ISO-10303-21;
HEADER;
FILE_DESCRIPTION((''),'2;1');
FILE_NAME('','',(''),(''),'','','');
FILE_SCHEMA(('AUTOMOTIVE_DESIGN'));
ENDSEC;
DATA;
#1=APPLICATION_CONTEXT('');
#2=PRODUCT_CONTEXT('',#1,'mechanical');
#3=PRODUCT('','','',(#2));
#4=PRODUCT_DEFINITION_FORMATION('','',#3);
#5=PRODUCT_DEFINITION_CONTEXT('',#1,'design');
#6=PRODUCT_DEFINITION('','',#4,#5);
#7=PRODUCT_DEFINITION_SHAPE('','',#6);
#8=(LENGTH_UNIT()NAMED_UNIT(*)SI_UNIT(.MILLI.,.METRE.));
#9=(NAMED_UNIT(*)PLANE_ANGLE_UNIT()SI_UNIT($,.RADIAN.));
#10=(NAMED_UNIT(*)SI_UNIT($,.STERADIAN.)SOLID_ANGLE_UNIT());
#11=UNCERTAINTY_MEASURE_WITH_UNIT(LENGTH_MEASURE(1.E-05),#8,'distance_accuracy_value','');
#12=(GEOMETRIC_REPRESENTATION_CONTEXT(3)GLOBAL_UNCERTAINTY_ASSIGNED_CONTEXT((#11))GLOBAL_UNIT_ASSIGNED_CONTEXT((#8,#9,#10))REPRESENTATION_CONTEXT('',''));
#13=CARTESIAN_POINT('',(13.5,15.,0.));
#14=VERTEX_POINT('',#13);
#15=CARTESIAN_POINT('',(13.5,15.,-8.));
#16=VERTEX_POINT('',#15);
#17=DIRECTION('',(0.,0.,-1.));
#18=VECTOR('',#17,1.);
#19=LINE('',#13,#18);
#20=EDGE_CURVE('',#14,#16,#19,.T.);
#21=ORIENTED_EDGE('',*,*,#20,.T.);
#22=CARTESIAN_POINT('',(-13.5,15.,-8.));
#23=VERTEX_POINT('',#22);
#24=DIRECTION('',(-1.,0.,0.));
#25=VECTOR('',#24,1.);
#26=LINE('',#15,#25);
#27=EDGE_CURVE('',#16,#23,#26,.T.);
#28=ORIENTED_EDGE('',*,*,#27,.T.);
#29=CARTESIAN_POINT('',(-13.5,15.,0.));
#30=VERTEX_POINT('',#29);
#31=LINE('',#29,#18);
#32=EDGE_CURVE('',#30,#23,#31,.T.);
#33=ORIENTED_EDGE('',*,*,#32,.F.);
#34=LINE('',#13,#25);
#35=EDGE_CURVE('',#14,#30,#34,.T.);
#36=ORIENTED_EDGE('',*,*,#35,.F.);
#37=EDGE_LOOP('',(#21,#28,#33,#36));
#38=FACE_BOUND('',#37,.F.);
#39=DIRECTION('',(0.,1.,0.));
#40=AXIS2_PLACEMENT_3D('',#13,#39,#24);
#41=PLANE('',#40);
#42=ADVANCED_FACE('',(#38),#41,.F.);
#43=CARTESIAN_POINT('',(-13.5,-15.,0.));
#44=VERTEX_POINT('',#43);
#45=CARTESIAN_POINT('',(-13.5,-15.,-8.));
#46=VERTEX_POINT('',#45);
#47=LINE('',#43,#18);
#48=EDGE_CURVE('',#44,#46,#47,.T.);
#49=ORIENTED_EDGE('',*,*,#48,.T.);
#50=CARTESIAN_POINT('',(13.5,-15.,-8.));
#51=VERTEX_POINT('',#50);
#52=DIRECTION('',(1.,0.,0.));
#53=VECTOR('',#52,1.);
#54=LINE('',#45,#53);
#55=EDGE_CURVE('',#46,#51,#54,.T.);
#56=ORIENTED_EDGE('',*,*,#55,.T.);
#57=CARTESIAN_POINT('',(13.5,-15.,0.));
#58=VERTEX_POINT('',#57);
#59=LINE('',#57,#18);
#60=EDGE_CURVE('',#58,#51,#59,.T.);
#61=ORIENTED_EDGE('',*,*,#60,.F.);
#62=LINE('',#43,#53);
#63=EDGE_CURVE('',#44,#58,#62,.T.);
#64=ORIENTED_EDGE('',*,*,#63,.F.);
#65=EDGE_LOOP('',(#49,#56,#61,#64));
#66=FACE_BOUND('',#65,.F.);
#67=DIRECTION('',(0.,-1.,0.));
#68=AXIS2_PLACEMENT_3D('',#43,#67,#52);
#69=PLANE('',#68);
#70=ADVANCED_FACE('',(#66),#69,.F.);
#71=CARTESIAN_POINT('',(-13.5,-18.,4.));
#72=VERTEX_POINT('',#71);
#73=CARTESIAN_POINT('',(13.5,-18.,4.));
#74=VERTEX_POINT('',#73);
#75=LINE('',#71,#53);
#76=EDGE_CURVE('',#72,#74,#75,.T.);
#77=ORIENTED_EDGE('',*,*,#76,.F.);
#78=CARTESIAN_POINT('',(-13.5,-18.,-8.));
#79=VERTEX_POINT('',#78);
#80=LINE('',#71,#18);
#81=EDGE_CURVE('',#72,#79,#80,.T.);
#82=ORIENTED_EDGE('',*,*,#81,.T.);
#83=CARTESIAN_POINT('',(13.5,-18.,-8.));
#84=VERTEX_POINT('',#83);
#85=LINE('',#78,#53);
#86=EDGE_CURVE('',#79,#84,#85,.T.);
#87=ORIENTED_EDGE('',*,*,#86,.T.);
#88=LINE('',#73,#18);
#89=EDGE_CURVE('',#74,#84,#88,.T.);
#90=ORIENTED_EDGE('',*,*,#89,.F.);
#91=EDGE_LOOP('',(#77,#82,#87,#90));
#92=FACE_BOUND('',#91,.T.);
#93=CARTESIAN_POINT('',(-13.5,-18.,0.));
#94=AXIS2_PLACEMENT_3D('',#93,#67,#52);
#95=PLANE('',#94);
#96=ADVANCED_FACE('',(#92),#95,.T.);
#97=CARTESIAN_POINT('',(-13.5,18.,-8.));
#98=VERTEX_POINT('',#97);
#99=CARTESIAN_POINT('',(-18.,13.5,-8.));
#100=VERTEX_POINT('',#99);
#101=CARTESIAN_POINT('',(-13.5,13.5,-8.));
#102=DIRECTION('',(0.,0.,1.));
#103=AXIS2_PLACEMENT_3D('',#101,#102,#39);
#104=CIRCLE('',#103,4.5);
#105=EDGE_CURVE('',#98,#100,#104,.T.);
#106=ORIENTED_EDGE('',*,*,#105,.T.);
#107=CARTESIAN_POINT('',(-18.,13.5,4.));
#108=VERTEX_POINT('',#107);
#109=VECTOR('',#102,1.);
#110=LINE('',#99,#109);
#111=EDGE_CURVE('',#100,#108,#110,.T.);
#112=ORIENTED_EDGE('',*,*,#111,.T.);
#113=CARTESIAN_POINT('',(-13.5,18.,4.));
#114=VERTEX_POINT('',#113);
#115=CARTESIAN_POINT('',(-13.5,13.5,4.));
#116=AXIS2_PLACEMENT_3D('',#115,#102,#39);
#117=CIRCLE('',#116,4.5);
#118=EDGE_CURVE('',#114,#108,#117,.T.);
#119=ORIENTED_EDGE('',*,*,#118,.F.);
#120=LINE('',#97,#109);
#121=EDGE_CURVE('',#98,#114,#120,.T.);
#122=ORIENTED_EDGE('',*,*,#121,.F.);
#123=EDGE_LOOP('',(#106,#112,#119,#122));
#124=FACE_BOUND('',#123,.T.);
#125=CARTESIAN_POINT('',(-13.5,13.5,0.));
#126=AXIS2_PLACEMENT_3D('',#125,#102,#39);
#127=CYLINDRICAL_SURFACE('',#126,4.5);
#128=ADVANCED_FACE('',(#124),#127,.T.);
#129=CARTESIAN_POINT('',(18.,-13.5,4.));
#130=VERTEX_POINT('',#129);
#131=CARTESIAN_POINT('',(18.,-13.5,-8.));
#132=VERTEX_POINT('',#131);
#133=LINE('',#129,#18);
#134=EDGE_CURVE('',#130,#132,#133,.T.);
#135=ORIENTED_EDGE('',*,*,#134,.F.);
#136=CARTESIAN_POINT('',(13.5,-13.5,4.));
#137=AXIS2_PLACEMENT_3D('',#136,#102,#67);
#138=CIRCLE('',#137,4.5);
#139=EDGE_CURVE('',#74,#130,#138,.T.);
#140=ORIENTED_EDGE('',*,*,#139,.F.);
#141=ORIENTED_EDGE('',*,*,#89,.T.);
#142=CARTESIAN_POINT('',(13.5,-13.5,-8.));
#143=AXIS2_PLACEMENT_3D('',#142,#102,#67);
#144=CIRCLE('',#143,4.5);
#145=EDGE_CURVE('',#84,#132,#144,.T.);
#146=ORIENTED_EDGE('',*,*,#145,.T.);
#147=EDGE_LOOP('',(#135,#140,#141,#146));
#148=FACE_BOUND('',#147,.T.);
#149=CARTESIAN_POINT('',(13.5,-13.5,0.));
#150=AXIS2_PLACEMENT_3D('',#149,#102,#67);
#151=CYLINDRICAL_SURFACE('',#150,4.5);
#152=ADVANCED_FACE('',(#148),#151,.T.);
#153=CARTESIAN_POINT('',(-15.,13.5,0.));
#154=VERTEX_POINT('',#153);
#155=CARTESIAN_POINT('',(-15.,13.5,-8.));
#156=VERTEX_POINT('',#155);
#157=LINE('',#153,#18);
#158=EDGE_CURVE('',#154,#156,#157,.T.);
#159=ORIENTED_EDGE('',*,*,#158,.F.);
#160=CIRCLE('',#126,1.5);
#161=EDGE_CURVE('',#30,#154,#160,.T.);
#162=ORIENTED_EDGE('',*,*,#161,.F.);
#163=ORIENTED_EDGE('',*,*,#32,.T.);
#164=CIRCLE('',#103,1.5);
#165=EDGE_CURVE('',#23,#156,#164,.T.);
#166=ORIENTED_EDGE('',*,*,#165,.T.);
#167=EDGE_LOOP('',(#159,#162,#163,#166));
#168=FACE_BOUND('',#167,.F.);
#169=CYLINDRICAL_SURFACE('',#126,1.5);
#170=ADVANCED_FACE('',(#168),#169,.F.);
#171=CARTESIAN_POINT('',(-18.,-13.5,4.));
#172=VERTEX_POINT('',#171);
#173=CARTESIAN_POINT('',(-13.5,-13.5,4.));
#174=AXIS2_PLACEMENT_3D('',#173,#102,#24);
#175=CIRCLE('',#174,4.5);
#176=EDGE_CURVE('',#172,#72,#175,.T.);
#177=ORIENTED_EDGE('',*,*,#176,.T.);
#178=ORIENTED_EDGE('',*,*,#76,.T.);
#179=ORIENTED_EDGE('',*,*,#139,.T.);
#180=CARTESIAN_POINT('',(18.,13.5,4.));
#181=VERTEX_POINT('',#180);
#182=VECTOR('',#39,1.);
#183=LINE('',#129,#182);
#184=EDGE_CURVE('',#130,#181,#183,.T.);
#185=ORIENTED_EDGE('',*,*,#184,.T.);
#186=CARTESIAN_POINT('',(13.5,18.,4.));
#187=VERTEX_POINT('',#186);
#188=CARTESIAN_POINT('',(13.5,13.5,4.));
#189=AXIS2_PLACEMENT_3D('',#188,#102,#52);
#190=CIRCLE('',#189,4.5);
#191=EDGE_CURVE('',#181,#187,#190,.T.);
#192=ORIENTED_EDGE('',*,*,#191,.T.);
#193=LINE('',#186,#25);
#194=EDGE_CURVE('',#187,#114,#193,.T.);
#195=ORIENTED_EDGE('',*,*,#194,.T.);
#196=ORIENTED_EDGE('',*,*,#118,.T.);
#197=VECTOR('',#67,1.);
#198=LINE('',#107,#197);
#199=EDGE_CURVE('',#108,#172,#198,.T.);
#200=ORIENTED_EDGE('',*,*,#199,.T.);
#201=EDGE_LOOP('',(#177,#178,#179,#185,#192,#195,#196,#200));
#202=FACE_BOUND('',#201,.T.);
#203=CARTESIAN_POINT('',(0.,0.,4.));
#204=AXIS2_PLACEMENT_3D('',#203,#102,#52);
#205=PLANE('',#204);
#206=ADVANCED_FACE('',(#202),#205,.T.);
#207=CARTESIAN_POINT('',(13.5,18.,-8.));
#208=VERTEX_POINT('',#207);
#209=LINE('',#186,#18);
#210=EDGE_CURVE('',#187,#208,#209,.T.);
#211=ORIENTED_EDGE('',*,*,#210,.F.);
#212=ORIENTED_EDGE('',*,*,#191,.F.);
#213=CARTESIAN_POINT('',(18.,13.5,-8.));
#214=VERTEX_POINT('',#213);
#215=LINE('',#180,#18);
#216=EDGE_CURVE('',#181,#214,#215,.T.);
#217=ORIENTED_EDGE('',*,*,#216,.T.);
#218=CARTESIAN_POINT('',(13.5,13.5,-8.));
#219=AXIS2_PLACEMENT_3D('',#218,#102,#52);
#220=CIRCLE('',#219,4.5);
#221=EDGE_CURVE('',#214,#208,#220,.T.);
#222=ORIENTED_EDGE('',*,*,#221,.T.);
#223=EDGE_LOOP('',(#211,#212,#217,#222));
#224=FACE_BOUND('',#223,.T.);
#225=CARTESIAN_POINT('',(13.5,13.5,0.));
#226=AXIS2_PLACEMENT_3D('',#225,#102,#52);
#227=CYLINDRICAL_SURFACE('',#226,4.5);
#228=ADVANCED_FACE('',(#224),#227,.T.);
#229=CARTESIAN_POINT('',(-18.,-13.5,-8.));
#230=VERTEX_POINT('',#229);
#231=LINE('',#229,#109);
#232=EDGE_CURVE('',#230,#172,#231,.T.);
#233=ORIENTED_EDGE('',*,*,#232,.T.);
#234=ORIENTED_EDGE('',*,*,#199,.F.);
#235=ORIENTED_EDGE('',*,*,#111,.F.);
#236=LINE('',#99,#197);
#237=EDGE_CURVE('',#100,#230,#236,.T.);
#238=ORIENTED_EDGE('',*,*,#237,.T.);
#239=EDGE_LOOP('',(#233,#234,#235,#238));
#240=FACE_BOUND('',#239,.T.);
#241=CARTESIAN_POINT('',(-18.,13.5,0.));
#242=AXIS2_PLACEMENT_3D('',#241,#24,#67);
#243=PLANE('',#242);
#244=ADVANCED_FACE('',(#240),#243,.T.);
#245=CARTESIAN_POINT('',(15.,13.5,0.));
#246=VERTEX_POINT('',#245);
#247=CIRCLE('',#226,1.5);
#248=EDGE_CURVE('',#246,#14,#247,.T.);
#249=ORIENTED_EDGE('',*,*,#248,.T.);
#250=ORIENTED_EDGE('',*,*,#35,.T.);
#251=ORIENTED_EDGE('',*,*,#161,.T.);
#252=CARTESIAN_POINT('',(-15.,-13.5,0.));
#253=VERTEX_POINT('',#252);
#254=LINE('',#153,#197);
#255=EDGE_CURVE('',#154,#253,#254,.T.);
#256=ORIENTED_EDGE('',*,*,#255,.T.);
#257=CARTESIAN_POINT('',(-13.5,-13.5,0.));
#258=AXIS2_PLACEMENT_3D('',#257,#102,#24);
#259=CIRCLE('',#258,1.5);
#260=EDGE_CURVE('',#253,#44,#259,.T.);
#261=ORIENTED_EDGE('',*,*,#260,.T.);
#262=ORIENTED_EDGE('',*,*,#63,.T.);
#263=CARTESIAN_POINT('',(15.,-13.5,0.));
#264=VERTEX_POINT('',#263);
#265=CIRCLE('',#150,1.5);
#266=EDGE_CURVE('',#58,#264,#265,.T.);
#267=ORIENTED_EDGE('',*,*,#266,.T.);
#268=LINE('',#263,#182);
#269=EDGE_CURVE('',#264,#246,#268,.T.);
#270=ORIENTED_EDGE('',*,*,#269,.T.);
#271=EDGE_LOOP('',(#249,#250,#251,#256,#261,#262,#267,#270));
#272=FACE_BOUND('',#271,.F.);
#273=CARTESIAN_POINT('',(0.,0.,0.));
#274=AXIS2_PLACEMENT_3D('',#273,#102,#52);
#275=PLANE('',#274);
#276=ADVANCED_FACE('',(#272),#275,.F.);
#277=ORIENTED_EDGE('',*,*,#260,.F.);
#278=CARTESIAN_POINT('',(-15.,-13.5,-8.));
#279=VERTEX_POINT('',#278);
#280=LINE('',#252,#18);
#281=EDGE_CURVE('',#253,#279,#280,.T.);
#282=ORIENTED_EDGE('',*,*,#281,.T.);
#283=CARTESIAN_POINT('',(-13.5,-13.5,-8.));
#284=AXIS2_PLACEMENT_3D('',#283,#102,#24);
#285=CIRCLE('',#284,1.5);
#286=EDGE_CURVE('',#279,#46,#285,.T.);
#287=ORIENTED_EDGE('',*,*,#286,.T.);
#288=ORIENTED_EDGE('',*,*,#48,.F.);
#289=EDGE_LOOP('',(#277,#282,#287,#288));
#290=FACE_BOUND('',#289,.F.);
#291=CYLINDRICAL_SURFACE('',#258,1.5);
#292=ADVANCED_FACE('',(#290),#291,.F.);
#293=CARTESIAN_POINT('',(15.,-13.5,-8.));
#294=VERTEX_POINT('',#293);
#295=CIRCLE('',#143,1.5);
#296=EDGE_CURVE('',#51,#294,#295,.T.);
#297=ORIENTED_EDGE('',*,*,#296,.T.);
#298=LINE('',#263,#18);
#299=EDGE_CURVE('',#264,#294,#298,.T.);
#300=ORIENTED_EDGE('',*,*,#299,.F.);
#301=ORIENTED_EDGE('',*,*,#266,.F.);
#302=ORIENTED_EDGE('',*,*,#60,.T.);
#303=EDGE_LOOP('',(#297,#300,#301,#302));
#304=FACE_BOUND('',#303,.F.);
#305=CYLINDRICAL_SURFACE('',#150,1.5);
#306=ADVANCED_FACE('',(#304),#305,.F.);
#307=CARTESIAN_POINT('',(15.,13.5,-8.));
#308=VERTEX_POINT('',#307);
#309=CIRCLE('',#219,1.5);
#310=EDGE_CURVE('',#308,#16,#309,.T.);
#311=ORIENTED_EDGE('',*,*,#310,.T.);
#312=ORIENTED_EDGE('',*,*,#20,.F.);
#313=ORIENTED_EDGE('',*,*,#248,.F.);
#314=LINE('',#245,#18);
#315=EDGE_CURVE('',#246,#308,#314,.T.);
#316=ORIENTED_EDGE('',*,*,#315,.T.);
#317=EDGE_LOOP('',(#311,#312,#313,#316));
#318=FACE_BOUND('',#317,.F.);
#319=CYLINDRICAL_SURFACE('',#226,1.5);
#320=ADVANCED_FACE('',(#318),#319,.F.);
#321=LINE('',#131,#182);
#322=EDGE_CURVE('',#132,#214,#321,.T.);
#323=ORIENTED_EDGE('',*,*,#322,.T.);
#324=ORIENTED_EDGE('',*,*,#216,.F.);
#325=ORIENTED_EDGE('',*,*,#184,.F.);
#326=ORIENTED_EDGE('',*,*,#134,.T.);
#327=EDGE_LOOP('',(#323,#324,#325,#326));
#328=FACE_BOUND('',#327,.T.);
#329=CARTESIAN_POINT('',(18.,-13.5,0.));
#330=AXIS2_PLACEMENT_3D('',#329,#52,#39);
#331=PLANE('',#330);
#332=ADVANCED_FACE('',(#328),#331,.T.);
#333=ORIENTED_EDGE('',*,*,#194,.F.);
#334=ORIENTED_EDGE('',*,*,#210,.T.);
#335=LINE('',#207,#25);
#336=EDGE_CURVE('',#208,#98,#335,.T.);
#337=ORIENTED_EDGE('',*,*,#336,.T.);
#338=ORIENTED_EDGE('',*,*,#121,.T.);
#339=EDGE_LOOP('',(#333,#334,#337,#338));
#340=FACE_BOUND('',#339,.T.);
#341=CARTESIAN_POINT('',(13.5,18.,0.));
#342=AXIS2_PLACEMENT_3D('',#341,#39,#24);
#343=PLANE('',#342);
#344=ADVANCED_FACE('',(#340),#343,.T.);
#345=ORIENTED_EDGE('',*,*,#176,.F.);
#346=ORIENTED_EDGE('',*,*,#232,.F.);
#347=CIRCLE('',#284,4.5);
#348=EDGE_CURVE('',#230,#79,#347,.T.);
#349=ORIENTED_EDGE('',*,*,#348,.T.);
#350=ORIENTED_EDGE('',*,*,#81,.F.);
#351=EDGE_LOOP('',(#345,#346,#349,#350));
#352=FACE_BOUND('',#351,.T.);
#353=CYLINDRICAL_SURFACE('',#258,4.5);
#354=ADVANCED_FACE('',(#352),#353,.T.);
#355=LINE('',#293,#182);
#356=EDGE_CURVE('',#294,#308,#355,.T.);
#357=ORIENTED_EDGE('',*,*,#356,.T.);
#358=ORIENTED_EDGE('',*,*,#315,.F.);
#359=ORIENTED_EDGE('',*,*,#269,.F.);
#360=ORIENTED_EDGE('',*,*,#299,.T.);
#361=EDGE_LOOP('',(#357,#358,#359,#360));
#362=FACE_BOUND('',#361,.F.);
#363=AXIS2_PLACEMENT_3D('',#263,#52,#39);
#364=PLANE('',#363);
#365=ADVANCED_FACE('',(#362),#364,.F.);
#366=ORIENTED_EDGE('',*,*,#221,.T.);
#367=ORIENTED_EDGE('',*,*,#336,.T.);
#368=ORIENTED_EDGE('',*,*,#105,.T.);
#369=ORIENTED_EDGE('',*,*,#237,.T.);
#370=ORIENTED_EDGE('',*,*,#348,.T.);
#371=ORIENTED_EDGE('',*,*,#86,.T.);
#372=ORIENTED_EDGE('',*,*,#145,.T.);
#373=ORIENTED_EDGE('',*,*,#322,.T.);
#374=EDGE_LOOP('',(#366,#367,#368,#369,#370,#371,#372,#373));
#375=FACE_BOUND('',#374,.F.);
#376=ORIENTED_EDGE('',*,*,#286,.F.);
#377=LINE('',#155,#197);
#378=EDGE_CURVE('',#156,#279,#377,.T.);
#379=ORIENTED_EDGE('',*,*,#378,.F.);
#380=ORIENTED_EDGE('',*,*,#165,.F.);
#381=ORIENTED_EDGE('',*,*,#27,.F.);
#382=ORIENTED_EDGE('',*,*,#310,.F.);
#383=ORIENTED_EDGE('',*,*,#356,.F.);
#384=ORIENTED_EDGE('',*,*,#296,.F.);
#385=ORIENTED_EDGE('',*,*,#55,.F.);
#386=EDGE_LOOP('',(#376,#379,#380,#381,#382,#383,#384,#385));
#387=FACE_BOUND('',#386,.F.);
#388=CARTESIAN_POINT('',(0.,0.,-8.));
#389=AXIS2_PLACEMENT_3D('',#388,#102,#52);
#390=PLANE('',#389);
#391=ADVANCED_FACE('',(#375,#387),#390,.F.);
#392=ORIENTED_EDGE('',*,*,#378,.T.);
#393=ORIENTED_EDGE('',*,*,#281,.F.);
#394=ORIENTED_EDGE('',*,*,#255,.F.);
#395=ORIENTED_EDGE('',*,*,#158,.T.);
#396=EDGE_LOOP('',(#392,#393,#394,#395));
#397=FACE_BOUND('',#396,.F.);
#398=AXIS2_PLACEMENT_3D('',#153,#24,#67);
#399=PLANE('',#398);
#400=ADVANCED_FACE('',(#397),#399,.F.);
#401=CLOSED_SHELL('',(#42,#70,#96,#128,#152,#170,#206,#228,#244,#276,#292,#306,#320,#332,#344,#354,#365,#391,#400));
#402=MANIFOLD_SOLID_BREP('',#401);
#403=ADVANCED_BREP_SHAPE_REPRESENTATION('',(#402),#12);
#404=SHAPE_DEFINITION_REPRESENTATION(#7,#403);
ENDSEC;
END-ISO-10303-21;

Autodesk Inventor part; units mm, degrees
ref_plane "YZ Plane" through (0, 0, 0) normal (1, 0, 0) x (0, 1, 0)
ref_plane "XZ Plane" through (0, 0, 0) normal (0, 1, 0) x (-1, 0, 0)
ref_plane "XY Plane" through (0, 0, 0) normal (0, 0, 1) x (1, 0, 0)
sketch "Szkic1" plane through (0, 0, 0) normal (0, 0, 1) x (1, 0, 0)
  arc A0 (-13.5, 15) -> (-15, 13.5) centre (-13.5, 13.5) ccw
  line L0 (-15, 13.5) -> (-15, -13.5)
  arc A1 (-15, -13.5) -> (-13.5, -15) centre (-13.5, -13.5) ccw
  line L1 (-13.5, -15) -> (13.5, -15)
  arc A2 (13.5, -15) -> (15, -13.5) centre (13.5, -13.5) ccw
  line L2 (15, -13.5) -> (15, 13.5)
  arc A3 (15, 13.5) -> (13.5, 15) centre (13.5, 13.5) ccw
  line L3 (13.5, 15) -> (-13.5, 15)
  arc A4 (-13.5, 18) -> (-18, 13.5) centre (-13.5, 13.5) ccw
  line L4 (-18, 13.5) -> (-18, -13.5)
  arc A5 (-18, -13.5) -> (-13.5, -18) centre (-13.5, -13.5) ccw
  line L5 (-13.5, -18) -> (13.5, -18)
  arc A6 (13.5, -18) -> (18, -13.5) centre (13.5, -13.5) ccw
  line L6 (18, -13.5) -> (18, 13.5)
  arc A7 (18, 13.5) -> (13.5, 18) centre (13.5, 13.5) ccw
  line L7 (13.5, 18) -> (-13.5, 18)
  dimension "d0" = 3
extrude "Wyciągnięcie proste1" add sketch "Szkic1" along normal blind 4 contours L3 A3 L2 A2 L1 A1 L0 A0 | L7 A7 L6 A6 L5 A5 L4 A4
extrude "Wyciągnięcie proste2" add sketch "Szkic1" against normal blind 8
properties part number "3DP_TPU_Rubber_Feet"
